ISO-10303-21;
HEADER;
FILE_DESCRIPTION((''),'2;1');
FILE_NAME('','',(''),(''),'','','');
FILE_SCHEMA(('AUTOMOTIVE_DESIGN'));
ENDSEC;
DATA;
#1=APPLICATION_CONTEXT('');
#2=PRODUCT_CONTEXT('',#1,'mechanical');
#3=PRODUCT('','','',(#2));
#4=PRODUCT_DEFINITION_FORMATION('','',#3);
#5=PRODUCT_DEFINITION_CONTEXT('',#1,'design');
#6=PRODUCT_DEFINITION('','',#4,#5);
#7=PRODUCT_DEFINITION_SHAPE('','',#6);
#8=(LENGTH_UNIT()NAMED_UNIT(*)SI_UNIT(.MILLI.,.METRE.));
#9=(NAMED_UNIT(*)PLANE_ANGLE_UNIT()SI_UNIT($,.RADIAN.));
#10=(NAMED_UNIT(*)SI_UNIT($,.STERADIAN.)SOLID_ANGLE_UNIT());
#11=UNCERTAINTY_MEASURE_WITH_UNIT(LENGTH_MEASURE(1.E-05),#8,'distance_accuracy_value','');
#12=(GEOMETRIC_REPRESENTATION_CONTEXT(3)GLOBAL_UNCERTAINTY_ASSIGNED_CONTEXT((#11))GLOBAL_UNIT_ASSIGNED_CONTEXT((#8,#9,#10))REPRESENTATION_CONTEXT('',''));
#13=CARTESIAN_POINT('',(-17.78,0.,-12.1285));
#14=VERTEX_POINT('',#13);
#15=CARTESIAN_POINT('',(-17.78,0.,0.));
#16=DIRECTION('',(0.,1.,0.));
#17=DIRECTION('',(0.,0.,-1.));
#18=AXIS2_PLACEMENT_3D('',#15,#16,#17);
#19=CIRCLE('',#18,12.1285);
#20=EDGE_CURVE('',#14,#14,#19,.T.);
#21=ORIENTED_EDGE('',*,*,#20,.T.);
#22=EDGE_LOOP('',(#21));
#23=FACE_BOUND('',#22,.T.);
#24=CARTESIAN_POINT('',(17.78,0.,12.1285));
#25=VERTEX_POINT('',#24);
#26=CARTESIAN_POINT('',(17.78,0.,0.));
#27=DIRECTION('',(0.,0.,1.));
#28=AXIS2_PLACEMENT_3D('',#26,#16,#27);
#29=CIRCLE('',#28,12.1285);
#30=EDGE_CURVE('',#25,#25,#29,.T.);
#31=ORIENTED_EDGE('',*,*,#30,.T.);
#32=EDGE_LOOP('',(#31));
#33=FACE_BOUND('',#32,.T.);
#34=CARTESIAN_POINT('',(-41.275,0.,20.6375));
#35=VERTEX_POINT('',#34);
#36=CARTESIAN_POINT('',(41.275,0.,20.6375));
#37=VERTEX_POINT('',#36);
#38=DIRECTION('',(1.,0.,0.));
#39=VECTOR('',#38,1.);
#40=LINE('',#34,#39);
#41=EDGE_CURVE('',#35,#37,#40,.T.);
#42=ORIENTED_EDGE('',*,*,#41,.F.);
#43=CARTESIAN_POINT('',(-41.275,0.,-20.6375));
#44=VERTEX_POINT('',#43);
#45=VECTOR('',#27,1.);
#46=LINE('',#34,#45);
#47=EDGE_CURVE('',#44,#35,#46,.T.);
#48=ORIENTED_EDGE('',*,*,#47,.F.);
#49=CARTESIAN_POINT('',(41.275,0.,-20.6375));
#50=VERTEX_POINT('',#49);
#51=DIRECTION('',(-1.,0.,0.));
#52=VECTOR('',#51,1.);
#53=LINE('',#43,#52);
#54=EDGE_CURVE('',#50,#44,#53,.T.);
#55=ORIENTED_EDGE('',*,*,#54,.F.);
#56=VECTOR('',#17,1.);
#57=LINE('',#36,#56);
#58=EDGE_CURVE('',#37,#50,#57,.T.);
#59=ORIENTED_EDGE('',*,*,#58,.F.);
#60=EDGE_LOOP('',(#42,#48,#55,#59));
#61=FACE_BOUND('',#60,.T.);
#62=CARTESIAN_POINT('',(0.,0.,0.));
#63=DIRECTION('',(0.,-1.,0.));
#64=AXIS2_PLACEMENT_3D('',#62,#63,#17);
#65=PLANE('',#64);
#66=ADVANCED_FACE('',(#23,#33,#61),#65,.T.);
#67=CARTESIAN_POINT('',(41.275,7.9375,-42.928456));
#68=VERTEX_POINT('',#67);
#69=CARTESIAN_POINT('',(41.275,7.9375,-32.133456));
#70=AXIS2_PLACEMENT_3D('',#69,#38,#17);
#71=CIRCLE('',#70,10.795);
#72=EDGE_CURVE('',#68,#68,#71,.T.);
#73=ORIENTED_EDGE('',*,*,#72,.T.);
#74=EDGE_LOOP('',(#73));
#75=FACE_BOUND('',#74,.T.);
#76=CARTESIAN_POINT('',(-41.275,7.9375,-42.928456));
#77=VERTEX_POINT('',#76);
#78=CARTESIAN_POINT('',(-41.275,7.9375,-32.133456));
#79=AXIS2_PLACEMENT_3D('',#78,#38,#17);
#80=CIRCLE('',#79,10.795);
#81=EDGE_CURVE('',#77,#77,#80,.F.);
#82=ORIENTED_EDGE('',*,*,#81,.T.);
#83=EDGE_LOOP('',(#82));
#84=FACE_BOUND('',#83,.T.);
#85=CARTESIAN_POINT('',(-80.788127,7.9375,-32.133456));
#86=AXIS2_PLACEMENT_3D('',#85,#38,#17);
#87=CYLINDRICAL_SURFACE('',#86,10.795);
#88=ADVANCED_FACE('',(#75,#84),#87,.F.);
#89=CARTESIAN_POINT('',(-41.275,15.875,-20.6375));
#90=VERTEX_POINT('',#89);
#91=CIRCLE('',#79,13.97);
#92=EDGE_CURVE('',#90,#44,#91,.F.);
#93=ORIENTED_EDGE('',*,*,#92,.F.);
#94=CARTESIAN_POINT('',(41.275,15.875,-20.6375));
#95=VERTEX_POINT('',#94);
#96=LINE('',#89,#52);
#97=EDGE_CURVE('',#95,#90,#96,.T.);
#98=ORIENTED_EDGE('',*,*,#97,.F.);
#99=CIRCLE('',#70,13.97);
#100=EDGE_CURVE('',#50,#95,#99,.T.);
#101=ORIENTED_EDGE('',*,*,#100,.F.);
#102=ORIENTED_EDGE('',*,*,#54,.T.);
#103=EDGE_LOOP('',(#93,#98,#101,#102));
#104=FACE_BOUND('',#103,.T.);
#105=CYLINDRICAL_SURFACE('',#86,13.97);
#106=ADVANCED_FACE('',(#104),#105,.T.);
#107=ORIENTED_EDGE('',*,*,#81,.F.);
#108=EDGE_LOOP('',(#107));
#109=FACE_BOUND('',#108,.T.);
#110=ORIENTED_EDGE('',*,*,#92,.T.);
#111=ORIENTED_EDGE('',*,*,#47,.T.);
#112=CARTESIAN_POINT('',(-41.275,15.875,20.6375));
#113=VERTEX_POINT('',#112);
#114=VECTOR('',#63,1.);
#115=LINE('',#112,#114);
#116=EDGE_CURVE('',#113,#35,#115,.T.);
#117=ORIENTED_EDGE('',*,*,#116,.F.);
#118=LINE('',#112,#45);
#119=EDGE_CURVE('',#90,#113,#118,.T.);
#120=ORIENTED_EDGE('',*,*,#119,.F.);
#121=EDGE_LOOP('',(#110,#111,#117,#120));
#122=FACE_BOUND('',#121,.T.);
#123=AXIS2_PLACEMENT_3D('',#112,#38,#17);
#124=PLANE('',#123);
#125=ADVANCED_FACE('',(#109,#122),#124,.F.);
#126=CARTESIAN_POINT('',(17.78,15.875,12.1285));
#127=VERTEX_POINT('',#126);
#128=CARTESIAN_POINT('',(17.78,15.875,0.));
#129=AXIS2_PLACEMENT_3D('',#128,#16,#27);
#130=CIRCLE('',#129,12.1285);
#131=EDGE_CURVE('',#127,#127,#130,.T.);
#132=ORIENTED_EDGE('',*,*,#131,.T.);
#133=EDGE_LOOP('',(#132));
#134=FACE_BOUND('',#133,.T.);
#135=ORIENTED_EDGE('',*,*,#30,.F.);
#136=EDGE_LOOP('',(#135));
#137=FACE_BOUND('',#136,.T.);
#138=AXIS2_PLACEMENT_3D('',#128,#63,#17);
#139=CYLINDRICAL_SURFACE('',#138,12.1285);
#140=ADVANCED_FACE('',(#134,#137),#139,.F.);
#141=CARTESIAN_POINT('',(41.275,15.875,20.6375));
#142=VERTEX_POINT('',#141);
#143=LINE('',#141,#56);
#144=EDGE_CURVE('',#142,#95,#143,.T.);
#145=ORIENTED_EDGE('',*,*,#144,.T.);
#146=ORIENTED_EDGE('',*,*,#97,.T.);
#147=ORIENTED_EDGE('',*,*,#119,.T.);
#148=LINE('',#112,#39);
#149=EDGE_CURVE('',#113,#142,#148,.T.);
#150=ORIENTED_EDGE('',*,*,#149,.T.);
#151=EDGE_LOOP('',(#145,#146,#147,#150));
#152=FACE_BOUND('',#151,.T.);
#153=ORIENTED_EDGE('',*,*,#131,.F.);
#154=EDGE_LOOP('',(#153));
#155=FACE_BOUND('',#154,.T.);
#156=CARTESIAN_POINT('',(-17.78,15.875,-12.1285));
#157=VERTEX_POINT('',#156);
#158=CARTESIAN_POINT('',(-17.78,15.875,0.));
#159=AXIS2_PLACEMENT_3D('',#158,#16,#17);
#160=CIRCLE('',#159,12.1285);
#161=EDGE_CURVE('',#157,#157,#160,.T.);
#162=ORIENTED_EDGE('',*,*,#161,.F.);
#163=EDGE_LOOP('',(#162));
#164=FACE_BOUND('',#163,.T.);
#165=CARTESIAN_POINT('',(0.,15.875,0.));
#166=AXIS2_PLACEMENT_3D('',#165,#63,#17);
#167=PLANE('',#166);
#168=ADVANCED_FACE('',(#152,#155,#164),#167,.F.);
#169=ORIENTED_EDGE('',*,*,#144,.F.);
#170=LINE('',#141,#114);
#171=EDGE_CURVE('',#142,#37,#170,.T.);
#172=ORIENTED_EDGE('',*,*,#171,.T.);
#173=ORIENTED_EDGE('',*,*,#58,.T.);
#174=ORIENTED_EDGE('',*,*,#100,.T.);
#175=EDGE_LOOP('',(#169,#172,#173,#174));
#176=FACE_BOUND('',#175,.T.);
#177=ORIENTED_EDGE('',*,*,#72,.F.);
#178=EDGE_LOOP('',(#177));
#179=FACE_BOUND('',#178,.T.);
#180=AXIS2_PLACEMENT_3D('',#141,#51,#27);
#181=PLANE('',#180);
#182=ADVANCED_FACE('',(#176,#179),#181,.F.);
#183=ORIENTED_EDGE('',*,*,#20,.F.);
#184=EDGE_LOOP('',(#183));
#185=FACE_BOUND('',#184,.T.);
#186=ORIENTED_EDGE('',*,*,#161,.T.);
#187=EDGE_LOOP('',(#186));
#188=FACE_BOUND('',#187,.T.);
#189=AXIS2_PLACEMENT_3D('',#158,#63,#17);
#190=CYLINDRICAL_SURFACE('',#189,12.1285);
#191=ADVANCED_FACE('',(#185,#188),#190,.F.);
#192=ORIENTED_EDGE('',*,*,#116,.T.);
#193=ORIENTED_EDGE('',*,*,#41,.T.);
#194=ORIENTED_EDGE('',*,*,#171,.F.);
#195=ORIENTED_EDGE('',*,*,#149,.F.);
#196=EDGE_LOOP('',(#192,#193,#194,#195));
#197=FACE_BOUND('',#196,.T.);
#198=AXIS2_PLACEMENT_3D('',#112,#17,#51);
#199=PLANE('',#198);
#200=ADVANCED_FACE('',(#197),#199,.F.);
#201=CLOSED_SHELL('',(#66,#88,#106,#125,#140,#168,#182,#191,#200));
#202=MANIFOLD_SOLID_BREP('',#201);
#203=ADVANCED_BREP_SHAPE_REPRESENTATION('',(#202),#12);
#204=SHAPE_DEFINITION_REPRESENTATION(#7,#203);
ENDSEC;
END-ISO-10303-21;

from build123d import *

# Parameters (mm, degrees)
SKETCH1_W           = 82.55
SKETCH1_H           = 41.275
SKETCH1_R           = 12.1285
BOSS_EXTRUDE1_DEPTH = 15.875
SKETCH2_R           = 13.97
SKETCH2_R_2         = 10.795
BOSS_EXTRUDE2_DEPTH = 82.55


with BuildPart() as part:
    # Sketch1 → Boss-Extrude1 (new body)
    with BuildSketch(Plane(origin=(0, 0, 0), x_dir=(1, 0, 0), z_dir=(0, 1, 0))):
        Rectangle(SKETCH1_W, SKETCH1_H)
        with Locations(Location((17.78, 0, 0), (0, 0, 270))):
            Circle(SKETCH1_R, mode=Mode.SUBTRACT)
        with Locations(Location((-17.78, 0, 0), (0, 0, 90))):
            Circle(SKETCH1_R, mode=Mode.SUBTRACT)
    extrude(amount=BOSS_EXTRUDE1_DEPTH)

    # Sketch2 → Boss-Extrude2 (add)
    with BuildSketch(Plane(origin=(41.275, 0, 0), x_dir=(0, 0, -1), z_dir=(1, 0, 0))):
        with Locations((32.133455539, 7.9375)):
            Circle(SKETCH2_R)
        with Locations((32.133455539, 7.9375)):
            Circle(SKETCH2_R_2, mode=Mode.SUBTRACT)
    extrude(amount=-BOSS_EXTRUDE2_DEPTH)


solid = part.part
